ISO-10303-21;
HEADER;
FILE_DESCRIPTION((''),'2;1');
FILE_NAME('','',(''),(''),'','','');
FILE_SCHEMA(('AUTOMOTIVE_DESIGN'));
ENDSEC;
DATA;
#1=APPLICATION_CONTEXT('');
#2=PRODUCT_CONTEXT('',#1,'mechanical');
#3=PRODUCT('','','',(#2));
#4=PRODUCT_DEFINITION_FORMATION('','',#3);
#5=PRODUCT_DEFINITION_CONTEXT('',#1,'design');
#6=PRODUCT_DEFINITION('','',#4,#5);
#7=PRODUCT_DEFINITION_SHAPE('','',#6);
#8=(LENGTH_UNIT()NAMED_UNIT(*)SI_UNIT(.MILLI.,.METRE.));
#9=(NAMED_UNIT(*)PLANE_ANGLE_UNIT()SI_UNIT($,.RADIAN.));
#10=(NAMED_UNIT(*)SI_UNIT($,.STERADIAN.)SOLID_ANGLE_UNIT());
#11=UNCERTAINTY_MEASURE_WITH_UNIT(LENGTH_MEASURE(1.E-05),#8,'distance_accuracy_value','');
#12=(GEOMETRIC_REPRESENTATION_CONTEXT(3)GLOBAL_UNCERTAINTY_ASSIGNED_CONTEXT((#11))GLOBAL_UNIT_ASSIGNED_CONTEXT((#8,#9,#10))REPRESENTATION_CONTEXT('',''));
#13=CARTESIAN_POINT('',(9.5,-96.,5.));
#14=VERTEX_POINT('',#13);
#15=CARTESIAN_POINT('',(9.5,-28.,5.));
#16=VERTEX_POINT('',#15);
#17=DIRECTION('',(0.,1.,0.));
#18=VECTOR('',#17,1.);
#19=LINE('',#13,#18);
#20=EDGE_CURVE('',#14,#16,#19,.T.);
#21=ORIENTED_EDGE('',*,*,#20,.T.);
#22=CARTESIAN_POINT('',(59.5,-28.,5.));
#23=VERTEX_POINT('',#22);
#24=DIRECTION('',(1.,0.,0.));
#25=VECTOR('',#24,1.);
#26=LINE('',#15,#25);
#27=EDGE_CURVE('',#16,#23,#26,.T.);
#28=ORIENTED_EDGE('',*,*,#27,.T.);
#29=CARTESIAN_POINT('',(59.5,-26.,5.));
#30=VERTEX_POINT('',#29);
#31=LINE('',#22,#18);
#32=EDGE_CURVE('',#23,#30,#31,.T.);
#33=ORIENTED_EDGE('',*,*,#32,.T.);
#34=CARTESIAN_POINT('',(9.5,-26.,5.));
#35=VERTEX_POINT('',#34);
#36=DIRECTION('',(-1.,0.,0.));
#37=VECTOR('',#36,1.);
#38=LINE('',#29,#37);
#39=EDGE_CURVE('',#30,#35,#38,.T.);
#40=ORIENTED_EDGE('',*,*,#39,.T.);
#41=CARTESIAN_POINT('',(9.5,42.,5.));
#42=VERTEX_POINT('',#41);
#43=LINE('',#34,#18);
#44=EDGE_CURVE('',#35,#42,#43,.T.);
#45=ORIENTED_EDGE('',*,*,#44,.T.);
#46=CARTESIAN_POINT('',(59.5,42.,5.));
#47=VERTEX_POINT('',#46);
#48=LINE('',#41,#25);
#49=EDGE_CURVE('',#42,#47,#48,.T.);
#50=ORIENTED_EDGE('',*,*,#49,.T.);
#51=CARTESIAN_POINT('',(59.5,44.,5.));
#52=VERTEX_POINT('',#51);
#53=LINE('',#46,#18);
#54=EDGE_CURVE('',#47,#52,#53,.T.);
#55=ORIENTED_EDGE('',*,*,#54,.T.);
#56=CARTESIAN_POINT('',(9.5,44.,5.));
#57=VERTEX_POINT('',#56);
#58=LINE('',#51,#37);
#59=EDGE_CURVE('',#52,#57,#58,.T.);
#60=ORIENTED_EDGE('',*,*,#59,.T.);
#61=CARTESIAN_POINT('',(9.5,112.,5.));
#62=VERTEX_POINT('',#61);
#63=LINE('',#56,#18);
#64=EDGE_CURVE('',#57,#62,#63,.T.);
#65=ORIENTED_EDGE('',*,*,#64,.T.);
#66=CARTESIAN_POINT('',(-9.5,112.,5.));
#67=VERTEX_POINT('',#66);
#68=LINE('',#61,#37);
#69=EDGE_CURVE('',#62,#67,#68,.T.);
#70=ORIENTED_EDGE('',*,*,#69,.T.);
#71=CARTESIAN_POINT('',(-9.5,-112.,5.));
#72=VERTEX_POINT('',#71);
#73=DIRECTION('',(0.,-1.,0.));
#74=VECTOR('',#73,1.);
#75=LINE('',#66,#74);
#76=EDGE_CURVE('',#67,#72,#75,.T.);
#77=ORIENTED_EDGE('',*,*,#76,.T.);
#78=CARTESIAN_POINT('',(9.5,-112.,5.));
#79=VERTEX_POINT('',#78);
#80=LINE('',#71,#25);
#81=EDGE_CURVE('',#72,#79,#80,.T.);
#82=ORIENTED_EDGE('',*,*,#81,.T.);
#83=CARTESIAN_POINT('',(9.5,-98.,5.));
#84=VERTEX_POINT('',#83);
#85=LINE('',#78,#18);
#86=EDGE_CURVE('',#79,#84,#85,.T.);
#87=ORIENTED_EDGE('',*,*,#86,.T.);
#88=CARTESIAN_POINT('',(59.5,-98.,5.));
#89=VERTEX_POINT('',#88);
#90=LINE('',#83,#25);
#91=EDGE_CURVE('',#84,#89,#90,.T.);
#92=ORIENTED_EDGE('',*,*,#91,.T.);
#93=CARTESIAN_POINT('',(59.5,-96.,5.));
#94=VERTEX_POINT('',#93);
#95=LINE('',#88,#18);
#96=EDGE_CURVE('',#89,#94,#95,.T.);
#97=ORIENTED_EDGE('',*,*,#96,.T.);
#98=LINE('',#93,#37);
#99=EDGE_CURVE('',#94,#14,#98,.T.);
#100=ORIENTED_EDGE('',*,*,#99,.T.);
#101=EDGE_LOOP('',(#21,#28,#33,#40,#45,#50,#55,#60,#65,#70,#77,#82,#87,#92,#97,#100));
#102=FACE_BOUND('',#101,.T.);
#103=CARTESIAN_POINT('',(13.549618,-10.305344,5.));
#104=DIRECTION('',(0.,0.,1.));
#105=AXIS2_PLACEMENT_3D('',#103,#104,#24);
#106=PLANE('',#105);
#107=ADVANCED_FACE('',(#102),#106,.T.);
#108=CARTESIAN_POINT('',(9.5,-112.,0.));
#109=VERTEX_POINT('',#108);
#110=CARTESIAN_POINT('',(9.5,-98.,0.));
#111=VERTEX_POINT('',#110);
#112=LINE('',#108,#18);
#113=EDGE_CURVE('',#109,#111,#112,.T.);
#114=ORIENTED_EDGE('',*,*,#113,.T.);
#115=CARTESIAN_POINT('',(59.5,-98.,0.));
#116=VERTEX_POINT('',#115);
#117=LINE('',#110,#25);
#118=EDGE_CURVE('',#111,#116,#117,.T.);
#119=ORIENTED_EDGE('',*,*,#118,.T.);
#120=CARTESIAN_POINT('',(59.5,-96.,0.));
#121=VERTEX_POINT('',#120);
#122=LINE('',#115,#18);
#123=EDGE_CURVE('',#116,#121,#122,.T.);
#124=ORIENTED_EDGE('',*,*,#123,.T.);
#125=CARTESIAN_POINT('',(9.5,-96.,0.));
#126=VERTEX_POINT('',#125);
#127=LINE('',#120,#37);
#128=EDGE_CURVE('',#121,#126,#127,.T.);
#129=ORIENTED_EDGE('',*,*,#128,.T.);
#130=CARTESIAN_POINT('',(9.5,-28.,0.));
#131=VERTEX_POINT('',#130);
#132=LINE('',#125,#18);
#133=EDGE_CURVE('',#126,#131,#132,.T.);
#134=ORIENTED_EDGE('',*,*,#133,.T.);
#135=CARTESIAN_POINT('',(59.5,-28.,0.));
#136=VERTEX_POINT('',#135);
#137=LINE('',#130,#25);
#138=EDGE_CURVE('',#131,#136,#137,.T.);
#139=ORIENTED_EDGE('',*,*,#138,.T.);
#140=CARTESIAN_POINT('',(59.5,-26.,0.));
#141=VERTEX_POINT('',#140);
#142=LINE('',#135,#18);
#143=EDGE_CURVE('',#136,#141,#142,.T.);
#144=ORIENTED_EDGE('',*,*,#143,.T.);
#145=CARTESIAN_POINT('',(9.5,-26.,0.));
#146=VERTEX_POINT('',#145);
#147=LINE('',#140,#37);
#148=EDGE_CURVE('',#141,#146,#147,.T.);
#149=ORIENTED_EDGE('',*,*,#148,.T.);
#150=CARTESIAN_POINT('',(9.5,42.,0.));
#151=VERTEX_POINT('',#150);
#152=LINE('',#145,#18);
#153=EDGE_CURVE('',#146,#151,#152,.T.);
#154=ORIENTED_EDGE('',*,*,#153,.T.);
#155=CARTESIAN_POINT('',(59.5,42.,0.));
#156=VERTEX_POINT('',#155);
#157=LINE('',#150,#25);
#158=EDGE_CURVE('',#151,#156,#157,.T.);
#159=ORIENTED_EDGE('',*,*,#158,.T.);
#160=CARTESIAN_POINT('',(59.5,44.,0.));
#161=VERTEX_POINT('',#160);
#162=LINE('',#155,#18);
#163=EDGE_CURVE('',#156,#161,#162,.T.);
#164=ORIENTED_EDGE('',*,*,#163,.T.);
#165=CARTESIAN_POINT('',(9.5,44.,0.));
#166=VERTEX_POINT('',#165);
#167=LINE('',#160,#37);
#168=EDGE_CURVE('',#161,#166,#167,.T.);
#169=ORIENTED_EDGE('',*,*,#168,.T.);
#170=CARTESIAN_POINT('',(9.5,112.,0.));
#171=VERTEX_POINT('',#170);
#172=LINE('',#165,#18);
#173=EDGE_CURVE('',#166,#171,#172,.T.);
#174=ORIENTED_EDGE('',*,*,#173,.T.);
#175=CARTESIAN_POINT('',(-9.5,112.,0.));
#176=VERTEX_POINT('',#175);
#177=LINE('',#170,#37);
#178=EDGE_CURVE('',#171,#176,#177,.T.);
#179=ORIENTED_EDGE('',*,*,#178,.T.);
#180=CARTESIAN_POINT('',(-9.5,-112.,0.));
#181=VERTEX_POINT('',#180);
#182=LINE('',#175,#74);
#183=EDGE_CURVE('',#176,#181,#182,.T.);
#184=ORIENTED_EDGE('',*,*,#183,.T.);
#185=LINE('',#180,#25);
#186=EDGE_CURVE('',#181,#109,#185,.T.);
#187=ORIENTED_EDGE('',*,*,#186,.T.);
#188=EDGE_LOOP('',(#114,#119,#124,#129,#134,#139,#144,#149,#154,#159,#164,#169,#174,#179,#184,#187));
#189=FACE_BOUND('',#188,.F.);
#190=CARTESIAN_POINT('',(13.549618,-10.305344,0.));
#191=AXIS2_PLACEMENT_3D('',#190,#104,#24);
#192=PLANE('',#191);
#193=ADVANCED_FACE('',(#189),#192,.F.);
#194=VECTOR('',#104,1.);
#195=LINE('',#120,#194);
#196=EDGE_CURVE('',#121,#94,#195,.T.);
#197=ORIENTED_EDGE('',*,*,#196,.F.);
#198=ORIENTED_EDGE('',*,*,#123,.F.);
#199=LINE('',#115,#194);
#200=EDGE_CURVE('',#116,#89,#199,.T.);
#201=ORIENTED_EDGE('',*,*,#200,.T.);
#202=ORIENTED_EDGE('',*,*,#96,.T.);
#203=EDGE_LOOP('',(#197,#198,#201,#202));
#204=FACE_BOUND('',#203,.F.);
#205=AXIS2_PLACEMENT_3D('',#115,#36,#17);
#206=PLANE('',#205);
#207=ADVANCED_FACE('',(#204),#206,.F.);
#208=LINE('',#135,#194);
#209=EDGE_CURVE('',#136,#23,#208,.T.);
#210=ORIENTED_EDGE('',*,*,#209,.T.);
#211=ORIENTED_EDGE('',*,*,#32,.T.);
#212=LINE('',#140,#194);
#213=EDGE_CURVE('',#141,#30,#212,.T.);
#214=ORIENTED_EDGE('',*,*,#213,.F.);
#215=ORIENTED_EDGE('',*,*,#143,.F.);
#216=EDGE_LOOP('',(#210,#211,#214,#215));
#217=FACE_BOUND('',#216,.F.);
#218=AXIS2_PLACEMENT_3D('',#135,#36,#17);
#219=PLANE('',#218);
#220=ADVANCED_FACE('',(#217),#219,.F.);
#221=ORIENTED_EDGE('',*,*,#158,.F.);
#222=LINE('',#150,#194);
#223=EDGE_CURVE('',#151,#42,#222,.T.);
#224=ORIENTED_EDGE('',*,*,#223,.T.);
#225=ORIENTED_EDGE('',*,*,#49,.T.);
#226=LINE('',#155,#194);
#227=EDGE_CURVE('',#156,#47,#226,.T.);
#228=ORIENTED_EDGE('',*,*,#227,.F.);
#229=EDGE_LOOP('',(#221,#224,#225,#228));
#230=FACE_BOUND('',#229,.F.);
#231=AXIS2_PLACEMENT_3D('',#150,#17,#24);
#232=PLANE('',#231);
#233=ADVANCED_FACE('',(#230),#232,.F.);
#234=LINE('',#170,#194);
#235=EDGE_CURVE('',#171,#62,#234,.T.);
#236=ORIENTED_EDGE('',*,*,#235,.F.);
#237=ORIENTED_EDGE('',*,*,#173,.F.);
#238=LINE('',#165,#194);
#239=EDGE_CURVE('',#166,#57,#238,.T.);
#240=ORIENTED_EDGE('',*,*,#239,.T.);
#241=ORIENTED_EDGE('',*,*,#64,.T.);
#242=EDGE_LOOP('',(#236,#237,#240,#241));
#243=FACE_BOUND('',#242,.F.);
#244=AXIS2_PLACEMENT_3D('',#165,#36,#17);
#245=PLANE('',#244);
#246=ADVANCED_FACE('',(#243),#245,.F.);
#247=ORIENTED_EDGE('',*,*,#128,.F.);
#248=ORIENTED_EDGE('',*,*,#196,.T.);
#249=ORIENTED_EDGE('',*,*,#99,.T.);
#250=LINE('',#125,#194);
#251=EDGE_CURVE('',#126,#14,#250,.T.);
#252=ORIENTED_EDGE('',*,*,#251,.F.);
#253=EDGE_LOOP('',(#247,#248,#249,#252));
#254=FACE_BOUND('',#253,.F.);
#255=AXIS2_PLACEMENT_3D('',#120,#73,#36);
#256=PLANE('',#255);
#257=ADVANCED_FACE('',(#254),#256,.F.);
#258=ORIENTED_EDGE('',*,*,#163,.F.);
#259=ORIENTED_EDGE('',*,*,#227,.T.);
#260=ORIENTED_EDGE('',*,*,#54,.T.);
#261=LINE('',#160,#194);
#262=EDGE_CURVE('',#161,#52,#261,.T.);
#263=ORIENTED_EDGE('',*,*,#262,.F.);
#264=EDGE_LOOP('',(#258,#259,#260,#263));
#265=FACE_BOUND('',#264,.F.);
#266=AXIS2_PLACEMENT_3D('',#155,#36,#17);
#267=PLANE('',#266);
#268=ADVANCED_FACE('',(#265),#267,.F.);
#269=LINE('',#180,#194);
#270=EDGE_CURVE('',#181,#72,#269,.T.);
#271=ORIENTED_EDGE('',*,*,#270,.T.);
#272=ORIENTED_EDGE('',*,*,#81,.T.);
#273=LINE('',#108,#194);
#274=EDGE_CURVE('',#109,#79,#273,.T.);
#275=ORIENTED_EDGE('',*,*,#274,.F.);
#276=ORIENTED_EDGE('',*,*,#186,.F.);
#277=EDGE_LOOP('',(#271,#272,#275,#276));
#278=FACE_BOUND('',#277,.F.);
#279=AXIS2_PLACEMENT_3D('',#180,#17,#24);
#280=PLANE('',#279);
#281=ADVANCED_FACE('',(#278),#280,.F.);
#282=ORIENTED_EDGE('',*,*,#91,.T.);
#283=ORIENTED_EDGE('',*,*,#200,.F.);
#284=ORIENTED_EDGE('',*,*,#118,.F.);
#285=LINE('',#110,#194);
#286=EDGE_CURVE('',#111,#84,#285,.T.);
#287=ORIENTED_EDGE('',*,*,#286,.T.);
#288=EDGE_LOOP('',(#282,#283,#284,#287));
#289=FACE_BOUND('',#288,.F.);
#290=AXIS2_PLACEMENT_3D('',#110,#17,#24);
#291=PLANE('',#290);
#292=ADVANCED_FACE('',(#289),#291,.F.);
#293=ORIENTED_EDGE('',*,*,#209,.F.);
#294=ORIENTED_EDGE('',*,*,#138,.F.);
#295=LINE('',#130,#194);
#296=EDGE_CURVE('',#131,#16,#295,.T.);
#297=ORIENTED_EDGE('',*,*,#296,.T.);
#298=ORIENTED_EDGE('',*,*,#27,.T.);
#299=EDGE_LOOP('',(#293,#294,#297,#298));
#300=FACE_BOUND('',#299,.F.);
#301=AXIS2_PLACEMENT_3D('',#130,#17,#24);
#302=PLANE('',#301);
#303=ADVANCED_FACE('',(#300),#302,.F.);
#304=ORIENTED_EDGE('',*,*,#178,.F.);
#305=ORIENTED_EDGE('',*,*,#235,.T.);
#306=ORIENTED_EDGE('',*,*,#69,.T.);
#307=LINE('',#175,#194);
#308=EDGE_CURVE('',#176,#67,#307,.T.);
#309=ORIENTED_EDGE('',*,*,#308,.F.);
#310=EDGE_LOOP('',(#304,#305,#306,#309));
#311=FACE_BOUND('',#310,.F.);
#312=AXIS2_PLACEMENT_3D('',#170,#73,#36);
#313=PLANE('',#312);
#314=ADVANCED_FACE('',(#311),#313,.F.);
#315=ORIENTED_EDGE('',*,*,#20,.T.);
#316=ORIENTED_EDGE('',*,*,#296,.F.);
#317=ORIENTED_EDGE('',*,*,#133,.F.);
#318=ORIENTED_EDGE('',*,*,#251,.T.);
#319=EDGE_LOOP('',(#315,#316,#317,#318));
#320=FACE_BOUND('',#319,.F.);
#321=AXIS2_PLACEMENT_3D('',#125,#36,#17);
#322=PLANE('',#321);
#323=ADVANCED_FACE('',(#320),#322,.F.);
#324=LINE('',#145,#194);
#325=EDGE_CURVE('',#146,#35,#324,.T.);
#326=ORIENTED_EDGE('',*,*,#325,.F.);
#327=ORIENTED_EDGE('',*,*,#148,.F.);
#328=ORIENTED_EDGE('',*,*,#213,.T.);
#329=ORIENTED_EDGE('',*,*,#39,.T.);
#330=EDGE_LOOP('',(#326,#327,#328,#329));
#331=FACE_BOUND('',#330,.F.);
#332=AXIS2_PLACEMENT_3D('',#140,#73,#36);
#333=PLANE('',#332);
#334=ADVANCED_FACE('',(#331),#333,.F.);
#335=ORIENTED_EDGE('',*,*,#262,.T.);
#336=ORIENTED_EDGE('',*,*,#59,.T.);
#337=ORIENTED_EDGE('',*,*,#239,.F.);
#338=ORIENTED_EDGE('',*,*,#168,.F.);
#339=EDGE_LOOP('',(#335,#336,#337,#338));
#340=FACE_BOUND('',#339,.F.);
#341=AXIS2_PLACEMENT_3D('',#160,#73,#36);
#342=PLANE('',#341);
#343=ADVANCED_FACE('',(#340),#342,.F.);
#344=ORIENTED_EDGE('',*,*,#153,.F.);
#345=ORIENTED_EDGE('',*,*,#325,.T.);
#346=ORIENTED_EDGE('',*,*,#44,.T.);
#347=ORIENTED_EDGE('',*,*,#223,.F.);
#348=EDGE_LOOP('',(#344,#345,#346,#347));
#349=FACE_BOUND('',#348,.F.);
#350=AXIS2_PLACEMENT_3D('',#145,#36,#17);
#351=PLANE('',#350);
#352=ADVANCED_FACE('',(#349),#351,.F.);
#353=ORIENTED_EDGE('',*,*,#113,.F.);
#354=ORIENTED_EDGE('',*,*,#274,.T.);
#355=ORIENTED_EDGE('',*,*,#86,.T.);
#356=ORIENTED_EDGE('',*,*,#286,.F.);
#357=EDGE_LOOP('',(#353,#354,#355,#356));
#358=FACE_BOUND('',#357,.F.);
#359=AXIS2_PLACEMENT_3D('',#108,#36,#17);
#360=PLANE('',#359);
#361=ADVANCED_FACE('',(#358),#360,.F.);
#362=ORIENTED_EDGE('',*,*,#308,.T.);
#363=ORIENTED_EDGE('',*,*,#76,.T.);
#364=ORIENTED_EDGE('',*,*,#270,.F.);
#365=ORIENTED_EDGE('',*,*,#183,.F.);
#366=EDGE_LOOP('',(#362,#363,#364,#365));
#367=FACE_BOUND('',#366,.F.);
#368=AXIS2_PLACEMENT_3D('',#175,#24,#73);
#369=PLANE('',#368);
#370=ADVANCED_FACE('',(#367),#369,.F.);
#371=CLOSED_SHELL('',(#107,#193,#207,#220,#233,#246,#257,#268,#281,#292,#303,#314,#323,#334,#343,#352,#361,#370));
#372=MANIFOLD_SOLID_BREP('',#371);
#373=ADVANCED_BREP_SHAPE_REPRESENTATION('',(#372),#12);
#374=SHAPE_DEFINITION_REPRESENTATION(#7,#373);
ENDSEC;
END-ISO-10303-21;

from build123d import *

# Parameters (mm, degrees)
F1_DEPTH = 5


with BuildPart() as f1:
    # F0 (on Top) → F1 (new body)
    with BuildSketch(Plane.XY):
        Polygon((-9.5, -112), (9.5, -112), (9.5, -98), (59.5, -98), (59.5, -96), (9.5, -96), (9.5, -28), (59.5, -28), (59.5, -26), (9.5, -26), (9.5, 42), (59.5, 42), (59.5, 44), (9.5, 44), (9.5, 112), (-9.5, 112), align=None)
    extrude(amount=F1_DEPTH)


solid = f1.part
